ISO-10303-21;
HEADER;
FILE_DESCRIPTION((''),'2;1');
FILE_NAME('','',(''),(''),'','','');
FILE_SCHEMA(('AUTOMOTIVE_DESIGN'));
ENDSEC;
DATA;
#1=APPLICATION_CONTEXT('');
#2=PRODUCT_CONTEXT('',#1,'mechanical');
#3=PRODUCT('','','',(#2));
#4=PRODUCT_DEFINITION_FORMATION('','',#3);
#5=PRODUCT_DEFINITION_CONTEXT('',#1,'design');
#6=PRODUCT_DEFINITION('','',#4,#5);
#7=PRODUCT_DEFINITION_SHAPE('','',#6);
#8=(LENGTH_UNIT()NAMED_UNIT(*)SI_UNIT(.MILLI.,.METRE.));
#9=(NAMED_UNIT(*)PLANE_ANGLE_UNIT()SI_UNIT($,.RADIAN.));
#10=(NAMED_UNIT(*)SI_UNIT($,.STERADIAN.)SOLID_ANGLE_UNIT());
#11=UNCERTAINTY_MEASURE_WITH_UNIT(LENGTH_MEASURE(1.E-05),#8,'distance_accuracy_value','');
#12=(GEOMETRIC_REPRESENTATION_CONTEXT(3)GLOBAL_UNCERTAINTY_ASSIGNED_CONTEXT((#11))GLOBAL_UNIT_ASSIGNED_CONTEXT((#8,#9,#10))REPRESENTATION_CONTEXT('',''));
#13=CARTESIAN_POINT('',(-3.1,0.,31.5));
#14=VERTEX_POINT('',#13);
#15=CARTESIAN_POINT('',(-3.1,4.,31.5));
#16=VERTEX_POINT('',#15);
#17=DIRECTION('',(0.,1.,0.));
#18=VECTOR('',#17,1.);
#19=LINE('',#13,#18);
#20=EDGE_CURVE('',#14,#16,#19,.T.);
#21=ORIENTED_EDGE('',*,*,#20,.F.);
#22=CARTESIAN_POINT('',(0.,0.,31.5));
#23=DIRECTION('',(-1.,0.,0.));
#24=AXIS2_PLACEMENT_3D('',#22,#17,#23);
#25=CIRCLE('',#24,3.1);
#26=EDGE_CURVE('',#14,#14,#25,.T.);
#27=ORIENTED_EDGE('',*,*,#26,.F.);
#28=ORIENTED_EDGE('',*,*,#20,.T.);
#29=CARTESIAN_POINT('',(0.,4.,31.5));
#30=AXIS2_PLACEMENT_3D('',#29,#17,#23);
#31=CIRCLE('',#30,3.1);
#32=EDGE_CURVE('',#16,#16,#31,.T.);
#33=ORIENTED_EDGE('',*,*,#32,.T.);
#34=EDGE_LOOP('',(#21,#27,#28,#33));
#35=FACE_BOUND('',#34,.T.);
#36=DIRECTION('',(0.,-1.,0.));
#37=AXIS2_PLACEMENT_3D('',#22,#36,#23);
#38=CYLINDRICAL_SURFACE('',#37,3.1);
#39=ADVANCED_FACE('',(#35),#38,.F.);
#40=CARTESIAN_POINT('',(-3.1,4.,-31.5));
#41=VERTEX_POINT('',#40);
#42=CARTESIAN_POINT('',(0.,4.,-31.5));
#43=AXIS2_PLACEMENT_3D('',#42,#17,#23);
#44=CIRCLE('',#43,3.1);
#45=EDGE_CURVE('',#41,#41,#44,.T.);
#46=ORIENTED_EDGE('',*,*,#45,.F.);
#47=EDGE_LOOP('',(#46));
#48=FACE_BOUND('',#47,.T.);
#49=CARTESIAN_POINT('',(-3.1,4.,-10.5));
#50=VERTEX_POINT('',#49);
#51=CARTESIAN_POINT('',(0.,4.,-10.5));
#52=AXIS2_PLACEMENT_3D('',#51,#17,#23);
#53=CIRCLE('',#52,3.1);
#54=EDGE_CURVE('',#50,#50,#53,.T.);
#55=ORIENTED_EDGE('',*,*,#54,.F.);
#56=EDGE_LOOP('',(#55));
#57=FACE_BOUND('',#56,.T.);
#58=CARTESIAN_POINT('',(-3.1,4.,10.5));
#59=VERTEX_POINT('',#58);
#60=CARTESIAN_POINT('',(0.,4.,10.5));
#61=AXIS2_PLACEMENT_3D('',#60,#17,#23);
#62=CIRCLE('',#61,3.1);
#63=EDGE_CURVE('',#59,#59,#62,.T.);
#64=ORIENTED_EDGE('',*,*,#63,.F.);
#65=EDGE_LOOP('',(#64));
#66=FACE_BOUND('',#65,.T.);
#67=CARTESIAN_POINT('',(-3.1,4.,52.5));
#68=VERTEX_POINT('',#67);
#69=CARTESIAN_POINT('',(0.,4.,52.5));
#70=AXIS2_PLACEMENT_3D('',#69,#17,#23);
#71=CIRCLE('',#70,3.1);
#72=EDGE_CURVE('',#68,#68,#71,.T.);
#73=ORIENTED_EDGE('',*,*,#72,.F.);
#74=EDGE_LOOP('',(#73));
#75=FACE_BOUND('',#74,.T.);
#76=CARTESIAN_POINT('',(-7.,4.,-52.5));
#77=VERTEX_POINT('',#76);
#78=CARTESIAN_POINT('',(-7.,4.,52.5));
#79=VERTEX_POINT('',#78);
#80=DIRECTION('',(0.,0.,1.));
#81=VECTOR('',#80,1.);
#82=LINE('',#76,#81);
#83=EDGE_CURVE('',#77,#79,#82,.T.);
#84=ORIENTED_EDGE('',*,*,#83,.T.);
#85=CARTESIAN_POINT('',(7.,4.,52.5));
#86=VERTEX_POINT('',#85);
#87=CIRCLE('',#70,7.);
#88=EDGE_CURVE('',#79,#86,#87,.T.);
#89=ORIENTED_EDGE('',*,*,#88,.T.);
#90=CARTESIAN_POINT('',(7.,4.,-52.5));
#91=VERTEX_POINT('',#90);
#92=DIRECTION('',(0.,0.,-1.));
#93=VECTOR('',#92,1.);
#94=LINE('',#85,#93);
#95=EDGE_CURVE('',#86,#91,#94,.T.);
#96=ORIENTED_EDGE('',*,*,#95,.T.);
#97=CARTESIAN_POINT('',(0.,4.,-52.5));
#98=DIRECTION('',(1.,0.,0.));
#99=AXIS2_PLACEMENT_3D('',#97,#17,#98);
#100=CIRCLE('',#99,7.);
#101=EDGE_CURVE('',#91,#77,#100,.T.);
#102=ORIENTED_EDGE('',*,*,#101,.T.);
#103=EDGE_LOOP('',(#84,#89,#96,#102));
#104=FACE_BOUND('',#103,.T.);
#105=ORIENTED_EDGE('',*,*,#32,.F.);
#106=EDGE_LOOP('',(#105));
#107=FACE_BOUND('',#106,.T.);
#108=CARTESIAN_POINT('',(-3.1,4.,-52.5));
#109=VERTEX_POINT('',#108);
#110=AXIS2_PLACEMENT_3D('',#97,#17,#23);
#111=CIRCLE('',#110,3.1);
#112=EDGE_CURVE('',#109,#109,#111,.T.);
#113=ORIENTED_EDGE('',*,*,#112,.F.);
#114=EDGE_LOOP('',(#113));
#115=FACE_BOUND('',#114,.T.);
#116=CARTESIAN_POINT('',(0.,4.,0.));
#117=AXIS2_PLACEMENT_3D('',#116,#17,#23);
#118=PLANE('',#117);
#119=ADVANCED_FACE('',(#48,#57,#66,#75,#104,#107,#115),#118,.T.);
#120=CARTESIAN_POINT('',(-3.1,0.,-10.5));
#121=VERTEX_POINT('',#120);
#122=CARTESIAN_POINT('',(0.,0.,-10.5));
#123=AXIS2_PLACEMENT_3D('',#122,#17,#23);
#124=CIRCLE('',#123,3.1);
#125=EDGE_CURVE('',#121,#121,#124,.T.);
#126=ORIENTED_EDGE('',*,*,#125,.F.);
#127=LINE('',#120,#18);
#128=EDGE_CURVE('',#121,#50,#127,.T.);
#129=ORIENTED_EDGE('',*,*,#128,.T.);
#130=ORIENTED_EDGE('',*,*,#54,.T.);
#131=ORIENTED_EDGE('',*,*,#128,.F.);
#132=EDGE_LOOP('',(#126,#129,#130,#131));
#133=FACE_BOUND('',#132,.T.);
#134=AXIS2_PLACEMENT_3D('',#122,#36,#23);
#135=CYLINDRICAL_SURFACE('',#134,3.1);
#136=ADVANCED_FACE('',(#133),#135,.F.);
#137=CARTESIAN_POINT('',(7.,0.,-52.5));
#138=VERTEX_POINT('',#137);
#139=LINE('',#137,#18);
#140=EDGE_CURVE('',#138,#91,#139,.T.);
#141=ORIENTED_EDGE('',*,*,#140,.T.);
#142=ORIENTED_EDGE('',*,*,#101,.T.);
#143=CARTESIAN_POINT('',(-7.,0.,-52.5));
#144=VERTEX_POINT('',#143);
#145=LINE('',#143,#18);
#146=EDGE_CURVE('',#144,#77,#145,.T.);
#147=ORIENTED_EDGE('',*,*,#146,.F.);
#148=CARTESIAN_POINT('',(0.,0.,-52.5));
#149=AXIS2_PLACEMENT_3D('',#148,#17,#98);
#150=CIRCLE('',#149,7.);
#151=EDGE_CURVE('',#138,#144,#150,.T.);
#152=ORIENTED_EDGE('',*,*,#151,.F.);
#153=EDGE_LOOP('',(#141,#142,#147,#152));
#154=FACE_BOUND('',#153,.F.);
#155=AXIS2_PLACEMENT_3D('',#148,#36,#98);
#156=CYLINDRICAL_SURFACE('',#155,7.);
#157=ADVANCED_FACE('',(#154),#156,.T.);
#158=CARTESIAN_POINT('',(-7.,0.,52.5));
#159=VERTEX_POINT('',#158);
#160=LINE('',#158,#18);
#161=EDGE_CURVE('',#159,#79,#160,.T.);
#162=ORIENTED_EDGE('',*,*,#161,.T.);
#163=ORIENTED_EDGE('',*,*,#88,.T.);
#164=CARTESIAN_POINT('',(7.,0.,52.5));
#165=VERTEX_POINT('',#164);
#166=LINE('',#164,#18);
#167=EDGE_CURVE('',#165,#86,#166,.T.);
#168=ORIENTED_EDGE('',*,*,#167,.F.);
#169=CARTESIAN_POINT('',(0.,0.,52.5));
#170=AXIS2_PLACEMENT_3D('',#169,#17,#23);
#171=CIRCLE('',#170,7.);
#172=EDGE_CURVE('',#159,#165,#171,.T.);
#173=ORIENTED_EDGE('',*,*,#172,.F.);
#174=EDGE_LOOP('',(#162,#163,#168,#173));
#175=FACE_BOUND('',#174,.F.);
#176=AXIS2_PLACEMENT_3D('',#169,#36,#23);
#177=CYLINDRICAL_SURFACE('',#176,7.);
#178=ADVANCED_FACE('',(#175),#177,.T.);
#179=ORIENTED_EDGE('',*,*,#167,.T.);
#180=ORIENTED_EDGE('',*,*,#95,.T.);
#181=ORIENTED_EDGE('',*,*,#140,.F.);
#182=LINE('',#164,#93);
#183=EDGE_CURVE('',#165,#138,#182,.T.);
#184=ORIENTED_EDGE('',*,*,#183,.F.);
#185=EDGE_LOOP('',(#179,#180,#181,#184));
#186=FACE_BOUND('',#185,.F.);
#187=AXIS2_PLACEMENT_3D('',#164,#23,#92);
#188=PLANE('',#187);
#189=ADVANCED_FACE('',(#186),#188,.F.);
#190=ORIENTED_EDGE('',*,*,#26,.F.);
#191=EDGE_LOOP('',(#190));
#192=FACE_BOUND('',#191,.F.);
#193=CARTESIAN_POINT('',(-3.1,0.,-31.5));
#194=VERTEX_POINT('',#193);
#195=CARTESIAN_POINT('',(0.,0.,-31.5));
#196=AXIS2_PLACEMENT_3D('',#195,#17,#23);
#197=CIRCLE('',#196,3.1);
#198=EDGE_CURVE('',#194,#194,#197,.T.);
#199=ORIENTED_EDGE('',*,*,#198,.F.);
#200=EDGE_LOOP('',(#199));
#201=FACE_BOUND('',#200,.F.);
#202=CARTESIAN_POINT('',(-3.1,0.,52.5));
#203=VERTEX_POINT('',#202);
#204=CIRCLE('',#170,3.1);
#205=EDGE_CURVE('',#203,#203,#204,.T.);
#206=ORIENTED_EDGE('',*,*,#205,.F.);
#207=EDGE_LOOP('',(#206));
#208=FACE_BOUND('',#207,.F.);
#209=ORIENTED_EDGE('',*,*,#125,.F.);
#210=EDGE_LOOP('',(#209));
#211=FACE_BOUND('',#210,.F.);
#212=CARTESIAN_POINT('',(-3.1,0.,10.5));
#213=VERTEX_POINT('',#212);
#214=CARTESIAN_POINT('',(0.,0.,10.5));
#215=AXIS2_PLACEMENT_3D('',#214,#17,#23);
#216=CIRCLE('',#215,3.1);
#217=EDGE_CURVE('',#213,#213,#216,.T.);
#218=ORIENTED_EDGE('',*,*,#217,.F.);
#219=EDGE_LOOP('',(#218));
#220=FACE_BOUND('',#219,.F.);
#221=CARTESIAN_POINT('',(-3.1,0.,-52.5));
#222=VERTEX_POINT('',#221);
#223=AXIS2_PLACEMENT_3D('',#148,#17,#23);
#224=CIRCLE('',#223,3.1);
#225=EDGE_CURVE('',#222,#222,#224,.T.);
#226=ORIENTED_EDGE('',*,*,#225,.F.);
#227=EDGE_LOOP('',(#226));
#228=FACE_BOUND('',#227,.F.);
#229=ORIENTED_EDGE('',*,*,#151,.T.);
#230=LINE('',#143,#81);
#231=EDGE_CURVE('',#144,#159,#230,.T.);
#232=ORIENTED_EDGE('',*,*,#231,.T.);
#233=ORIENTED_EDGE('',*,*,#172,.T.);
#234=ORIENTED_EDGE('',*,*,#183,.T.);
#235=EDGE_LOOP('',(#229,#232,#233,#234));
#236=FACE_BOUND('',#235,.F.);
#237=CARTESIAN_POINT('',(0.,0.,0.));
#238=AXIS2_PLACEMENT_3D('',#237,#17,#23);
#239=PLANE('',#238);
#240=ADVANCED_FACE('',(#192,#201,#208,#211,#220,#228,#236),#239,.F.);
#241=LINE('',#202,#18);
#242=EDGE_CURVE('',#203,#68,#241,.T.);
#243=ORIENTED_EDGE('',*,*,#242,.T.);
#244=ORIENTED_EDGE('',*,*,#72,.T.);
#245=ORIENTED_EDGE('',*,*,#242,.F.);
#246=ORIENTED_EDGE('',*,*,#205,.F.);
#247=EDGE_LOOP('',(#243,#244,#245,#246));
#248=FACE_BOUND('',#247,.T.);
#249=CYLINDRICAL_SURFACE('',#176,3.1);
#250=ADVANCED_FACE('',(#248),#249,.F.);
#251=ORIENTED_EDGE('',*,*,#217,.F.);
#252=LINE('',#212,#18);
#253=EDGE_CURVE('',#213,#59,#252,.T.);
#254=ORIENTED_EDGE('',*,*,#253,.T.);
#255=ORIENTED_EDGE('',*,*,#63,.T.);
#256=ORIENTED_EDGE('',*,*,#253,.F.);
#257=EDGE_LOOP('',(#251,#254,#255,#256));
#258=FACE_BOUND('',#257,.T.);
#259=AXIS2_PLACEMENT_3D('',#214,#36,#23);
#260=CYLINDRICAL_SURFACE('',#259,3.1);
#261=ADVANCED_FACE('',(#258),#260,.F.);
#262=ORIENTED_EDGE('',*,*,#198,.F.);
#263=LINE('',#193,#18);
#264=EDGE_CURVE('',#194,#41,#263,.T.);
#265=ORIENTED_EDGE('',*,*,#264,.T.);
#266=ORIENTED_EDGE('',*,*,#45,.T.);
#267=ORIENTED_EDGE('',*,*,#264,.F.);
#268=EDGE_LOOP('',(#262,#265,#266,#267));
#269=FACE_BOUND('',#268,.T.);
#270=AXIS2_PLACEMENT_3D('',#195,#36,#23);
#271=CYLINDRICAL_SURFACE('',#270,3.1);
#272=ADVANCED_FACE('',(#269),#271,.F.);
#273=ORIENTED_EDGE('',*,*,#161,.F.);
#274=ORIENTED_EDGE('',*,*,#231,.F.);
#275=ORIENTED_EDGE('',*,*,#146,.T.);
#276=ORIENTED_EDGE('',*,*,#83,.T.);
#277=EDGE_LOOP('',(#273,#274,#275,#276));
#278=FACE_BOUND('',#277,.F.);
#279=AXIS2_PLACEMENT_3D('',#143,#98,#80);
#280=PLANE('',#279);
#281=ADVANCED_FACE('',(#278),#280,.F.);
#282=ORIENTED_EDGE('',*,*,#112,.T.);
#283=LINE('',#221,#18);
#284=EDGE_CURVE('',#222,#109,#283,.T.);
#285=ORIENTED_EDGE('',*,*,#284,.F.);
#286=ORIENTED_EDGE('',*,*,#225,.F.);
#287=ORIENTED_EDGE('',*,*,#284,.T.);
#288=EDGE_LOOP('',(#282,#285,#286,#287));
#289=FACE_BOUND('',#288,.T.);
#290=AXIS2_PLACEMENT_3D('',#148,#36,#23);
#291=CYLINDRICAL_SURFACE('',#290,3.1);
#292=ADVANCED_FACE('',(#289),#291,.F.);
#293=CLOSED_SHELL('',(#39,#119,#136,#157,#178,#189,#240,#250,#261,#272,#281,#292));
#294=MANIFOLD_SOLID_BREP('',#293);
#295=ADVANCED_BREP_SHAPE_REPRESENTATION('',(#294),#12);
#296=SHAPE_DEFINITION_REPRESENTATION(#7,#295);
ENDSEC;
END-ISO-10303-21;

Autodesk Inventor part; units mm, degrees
ref_plane "YZ Plane" through (0, 0, 0) normal (1, 0, 0) x (0, 1, 0)
ref_plane "XZ Plane" through (0, 0, 0) normal (0, 1, 0) x (-1, 0, 0)
ref_plane "XY Plane" through (0, 0, 0) normal (0, 0, 1) x (1, 0, 0)
sketch "Sketch1" plane through (0, 0, 0) normal (0, 1, 0) x (-1, 0, 0)
  line L0 (0, 52.5) -> (0, -52.5) construction
  line L1 (-7, 52.5) -> (-7, -52.5)
  line L2 (7, -52.5) -> (7, 52.5)
  arc A0 (7, 52.5) -> (-7, 52.5) centre (0, 52.5) ccw
  arc A1 (-7, -52.5) -> (7, -52.5) centre (0, -52.5) ccw
  circle A2 centre (0, 52.5) radius 3.1
  circle A3 centre (0, -52.5) radius 3.1
  circle A4 centre (0, 31.5) radius 3.1
  circle A5 centre (0, 10.5) radius 3.1
  circle A6 centre (0, -10.5) radius 3.1
  circle A7 centre (0, -31.5) radius 3.1
  point P0 (0, 0)
  point P1 (0, 0)
  dimension "d0" = 105
  dimension "d1" = 14
  dimension "d2" = 6.2
  dimension "d3" = 6.2
  dimension "d4" = 6.2
  dimension "d5" = 6.2
  dimension "d6" = 6.2
  dimension "d7" = 6.2
  dimension "d8" = 21
  dimension "d9" = 21
  dimension "d10" = 21
  dimension "d11" = 21
  dimension "d12" = 21
extrude "Extrusion1" add sketch "Sketch1" along normal blind 4
properties part number "axlefixture" material "ABS Plastic"
